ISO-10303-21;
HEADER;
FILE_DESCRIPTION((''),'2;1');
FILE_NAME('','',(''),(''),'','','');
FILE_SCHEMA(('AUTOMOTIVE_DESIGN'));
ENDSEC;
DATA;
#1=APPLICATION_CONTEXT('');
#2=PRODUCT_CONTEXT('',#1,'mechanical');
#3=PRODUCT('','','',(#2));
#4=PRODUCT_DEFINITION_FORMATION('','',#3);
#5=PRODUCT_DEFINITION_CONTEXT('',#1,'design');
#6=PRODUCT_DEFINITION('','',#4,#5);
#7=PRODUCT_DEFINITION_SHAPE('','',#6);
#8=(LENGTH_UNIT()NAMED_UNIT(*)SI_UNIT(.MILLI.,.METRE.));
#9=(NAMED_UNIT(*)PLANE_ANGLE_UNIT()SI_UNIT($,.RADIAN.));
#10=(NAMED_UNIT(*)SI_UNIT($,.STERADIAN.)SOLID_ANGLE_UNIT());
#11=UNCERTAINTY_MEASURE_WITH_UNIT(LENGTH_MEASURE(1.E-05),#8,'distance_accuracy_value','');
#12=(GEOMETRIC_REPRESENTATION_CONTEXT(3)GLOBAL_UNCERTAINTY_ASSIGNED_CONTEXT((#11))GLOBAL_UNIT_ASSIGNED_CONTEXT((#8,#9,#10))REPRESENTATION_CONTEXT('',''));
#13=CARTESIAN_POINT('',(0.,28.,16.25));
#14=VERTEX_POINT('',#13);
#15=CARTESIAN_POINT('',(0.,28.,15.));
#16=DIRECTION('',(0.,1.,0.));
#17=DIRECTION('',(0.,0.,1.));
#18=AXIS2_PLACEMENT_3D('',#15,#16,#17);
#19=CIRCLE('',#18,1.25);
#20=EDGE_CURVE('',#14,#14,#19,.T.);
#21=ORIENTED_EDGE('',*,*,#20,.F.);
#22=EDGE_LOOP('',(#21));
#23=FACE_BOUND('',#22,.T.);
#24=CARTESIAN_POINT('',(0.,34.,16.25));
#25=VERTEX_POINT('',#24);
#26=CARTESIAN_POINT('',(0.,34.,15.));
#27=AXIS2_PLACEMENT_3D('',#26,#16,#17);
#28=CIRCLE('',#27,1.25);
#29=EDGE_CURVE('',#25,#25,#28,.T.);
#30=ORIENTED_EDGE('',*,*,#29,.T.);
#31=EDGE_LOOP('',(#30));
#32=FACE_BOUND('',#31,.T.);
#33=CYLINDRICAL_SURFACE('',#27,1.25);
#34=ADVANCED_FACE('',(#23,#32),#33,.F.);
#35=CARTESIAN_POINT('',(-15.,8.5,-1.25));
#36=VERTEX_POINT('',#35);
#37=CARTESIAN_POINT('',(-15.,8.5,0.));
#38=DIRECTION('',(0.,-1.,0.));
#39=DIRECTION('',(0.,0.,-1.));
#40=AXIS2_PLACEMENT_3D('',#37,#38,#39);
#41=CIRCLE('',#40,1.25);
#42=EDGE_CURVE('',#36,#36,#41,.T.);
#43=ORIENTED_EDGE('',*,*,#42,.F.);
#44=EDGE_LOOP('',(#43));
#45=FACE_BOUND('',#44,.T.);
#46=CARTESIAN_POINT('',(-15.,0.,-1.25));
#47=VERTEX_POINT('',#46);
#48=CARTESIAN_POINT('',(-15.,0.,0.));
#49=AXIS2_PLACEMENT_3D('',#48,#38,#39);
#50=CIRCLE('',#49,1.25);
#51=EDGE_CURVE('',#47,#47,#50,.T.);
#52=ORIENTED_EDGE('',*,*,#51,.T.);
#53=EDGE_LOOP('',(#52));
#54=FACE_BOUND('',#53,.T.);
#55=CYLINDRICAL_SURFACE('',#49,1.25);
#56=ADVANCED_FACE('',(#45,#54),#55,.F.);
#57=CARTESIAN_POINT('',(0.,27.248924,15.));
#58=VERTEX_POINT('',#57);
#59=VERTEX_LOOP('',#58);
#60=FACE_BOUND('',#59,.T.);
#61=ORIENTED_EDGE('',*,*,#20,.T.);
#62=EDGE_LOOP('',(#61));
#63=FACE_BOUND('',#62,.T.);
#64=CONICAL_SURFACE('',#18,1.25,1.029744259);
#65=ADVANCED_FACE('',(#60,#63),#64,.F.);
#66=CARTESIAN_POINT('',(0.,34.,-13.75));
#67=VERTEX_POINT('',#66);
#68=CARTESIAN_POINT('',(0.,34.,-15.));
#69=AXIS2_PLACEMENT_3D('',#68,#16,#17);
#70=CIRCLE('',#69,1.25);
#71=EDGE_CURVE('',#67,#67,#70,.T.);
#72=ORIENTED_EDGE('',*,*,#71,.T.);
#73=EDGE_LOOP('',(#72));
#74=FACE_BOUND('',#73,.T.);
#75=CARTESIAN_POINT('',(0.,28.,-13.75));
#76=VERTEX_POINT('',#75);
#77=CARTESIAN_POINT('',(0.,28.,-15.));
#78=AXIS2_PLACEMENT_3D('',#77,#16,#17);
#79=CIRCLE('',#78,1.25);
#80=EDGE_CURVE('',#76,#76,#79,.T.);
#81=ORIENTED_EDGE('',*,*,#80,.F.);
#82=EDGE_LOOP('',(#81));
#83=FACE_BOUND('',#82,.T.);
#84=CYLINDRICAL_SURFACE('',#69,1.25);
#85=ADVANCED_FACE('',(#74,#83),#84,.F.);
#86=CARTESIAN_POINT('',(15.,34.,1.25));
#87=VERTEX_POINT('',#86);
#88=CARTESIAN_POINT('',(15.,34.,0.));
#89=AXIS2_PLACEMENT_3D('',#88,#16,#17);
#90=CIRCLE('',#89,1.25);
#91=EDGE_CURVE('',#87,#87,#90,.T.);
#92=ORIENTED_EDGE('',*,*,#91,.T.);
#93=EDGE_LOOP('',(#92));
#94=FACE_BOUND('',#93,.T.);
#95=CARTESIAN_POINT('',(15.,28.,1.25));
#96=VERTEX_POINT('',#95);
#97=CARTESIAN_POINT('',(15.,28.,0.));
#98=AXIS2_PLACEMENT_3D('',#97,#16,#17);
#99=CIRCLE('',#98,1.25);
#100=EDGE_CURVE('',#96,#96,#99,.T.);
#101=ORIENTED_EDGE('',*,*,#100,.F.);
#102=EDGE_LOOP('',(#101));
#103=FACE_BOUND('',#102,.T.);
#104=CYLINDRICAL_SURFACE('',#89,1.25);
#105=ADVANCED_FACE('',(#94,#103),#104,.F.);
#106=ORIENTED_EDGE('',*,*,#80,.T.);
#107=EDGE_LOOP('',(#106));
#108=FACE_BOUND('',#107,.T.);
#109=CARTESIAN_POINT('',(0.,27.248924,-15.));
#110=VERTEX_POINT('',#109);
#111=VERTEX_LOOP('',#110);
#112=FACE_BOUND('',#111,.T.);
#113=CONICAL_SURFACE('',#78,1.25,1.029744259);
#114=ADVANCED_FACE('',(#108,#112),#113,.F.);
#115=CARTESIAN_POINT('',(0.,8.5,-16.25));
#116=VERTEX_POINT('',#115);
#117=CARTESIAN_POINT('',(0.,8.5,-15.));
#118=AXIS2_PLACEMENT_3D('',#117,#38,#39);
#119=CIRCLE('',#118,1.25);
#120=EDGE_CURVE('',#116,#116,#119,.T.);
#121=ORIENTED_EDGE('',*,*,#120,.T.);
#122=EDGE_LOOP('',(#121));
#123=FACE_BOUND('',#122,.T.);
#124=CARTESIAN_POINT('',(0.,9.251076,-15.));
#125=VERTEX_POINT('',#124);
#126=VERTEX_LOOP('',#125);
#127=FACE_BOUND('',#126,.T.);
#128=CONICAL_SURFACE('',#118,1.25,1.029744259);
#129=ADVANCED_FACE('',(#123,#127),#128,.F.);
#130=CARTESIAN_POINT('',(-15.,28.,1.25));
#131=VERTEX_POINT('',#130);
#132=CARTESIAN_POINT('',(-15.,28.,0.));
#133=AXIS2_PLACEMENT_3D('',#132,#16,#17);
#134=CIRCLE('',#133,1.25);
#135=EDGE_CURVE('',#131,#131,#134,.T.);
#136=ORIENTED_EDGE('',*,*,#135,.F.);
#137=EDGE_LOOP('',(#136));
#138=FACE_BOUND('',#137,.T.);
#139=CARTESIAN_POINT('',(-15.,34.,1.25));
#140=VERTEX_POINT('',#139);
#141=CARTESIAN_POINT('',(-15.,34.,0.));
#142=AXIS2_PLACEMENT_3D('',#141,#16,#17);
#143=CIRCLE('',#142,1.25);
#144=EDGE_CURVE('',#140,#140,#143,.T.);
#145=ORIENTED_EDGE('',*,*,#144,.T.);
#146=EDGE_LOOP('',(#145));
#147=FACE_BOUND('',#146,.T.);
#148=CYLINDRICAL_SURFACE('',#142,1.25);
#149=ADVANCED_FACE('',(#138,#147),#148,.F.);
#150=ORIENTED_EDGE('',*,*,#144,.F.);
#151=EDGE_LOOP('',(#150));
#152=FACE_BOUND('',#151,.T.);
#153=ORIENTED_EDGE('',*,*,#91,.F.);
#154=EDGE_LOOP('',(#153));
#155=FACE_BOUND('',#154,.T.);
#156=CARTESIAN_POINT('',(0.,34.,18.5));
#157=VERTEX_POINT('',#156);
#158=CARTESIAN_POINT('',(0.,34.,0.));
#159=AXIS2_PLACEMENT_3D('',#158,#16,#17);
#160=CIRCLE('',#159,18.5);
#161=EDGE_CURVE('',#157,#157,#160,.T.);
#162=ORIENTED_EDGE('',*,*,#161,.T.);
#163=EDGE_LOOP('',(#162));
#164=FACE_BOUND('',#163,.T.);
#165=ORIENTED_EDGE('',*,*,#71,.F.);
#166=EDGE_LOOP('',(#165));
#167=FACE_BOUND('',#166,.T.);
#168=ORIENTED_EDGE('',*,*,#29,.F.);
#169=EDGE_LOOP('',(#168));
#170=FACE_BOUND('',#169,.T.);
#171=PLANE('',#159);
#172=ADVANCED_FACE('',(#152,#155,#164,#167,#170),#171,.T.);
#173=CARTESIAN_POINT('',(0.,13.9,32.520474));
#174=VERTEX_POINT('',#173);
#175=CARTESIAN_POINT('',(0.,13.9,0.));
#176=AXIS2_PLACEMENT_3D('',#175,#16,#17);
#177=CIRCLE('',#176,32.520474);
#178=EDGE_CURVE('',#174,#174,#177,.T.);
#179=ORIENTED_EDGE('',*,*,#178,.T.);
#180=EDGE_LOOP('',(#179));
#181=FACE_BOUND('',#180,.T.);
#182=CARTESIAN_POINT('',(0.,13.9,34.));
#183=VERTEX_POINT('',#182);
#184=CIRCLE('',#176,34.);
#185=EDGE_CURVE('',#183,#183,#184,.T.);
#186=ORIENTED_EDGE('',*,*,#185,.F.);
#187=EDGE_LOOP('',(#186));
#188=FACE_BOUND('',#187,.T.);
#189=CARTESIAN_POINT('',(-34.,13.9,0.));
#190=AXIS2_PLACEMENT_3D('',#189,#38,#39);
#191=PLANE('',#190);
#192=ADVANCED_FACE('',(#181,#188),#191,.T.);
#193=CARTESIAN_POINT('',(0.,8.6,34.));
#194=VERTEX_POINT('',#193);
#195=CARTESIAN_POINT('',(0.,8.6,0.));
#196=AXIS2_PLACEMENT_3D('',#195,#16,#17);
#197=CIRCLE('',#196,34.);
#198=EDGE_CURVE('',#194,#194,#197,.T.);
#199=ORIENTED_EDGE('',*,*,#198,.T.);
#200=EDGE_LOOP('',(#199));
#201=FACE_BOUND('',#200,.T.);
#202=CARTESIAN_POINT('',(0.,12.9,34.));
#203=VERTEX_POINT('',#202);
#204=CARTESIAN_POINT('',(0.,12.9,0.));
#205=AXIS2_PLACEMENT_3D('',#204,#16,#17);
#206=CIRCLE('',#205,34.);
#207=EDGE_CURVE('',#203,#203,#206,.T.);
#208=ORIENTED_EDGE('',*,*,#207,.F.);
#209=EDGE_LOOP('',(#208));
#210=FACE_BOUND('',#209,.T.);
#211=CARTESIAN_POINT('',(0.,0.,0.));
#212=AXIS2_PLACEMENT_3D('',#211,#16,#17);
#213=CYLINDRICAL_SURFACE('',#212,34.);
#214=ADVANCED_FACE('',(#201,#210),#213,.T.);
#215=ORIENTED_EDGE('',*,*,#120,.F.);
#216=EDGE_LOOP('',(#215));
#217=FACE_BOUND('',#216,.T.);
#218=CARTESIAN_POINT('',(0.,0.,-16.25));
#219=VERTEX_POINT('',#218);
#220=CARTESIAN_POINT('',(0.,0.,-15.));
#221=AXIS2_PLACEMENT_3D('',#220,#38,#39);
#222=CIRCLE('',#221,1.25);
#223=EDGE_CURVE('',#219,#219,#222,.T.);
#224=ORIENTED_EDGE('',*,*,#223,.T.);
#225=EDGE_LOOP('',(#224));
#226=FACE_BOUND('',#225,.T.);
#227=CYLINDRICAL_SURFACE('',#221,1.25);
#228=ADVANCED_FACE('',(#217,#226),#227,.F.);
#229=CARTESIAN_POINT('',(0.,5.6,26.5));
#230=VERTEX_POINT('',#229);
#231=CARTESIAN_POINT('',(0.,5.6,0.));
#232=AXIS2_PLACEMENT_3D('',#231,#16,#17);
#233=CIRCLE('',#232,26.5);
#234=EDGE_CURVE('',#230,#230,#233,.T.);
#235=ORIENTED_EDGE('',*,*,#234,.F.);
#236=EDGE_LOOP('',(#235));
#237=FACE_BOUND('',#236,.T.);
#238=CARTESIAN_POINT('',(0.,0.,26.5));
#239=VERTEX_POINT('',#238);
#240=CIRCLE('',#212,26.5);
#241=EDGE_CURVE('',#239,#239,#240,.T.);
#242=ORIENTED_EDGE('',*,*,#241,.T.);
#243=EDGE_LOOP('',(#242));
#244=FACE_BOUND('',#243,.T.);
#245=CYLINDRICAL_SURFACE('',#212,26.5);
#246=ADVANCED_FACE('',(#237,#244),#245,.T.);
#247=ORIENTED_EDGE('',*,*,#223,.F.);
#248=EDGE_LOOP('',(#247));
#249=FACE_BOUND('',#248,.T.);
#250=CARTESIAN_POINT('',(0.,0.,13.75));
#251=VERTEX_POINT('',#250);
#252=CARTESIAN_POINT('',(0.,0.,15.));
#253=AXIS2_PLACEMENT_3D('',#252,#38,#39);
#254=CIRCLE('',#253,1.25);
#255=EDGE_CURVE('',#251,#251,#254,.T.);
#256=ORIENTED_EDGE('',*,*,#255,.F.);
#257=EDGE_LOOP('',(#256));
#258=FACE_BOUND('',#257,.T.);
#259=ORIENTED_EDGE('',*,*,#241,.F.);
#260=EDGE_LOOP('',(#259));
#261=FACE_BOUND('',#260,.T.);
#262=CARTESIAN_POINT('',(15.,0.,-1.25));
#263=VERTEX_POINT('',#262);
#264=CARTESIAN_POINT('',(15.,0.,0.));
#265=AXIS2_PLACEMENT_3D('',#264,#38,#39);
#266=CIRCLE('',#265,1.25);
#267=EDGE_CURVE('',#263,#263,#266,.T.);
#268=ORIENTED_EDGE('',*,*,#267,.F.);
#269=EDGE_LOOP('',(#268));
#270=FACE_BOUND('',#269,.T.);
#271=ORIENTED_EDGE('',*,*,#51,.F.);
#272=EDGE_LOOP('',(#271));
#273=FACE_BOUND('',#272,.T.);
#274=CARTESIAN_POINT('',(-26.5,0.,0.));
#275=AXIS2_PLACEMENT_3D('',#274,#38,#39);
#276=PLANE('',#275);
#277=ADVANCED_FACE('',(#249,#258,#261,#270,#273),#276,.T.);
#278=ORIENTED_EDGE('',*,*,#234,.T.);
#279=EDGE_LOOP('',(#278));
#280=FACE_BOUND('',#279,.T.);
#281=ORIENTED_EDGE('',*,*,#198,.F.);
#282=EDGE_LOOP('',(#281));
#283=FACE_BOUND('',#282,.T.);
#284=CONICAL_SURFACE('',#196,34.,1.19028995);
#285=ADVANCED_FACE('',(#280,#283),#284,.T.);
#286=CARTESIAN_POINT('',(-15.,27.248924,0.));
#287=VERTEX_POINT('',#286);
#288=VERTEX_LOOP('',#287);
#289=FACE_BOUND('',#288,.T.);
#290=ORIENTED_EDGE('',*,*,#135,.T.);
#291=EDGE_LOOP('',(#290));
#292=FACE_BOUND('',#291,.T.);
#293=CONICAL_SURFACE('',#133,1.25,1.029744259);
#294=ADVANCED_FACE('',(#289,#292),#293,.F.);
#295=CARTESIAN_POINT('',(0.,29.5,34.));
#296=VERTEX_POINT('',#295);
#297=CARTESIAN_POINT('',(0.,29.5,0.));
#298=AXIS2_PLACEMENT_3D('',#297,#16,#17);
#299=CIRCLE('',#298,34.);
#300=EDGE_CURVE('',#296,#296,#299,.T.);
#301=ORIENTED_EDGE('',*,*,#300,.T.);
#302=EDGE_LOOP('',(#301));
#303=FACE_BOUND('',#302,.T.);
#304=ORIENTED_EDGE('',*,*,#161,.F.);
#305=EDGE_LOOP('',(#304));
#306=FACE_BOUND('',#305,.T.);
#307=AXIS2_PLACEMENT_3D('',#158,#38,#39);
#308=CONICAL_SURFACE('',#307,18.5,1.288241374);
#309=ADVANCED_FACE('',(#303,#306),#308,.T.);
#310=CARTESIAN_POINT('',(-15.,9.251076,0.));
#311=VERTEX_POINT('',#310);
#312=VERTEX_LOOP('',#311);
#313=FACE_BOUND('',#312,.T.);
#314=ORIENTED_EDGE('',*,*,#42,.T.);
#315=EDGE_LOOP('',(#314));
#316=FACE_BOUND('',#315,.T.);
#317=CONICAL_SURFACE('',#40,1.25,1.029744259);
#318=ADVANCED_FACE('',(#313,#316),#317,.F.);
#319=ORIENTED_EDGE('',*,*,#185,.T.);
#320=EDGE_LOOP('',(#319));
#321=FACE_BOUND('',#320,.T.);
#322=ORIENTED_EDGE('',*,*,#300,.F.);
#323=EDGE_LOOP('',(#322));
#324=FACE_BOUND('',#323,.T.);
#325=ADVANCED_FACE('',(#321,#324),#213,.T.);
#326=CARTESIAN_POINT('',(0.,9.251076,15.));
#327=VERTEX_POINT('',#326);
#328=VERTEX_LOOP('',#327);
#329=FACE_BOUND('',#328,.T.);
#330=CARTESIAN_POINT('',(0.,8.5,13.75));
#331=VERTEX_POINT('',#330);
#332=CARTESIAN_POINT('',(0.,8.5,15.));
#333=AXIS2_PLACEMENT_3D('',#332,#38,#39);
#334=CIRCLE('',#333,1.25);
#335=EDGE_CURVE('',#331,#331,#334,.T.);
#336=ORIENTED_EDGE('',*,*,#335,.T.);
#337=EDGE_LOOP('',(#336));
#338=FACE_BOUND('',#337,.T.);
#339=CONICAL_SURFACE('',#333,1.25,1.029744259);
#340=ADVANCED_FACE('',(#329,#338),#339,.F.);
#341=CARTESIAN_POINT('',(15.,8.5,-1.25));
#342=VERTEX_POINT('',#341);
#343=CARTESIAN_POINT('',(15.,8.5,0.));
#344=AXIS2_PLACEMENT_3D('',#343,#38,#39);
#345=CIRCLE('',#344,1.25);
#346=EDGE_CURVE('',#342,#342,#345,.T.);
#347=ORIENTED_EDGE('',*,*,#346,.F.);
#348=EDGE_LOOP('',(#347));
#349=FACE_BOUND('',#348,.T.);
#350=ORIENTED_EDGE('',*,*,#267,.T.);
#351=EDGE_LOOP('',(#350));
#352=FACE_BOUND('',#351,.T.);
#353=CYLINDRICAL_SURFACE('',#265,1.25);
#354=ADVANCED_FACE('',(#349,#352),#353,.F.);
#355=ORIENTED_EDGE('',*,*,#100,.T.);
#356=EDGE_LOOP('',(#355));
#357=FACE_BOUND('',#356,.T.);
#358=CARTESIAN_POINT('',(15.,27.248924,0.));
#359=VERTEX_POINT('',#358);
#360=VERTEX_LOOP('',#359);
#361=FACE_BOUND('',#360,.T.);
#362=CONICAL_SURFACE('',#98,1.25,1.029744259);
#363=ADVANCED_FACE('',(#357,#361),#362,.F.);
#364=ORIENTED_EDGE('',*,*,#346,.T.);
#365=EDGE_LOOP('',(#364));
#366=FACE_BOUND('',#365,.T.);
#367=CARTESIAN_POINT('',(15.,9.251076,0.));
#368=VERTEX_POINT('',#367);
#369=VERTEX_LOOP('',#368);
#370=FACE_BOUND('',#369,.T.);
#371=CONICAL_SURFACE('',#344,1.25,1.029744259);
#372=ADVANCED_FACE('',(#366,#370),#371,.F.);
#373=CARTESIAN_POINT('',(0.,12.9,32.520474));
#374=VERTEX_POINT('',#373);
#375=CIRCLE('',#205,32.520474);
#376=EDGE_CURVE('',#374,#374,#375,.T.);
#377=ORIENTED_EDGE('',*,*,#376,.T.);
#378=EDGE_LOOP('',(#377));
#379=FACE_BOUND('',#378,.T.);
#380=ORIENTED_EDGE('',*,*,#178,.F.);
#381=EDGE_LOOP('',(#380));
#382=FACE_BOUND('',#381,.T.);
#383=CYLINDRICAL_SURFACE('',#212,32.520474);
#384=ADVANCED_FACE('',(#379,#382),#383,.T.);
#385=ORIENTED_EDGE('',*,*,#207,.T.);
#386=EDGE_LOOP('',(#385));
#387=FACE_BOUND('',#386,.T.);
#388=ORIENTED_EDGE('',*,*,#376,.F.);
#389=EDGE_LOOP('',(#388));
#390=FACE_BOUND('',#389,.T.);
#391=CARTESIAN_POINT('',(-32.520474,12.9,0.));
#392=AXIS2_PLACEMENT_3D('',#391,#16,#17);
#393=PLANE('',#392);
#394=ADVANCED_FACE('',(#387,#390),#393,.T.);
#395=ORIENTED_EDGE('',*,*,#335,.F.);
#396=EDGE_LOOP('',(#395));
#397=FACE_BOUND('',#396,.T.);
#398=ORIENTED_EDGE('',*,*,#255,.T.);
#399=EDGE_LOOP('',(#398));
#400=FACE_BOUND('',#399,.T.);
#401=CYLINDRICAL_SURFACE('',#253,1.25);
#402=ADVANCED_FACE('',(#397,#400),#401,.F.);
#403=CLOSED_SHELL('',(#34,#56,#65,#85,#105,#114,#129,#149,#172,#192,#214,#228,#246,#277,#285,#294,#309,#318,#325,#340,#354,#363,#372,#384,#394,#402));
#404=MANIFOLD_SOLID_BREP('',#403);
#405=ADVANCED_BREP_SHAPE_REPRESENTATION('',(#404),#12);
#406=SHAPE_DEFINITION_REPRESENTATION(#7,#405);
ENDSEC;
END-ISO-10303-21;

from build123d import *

# Parameters (mm, degrees)
M3X0_5_TAPPED_HOLE1_D     = 2.5
M3X0_5_TAPPED_HOLE1_DEPTH = 6
M3X0_5_TAPPED_HOLE1_TIP   = 0.751075774
M3X0_5_TAPPED_HOLE2_D     = 2.5
M3X0_5_TAPPED_HOLE2_DEPTH = 8.5
M3X0_5_TAPPED_HOLE2_TIP   = 0.751075774


with BuildPart() as part:
    # Sketch1 → Revolve1 (revolve)
    with BuildSketch(Plane.XY):
        Polygon((0, 0), (0, 34), (-18.5, 34), (-34, 29.5), (-34, 13.9), (-32.520474493, 13.9), (-32.520474493, 12.9), (-34, 12.9), (-34, 8.6), (-26.5, 5.6), (-26.5, 0), align=None)
    revolve(axis=Axis((0, 0, 0), (0, -1, 0)))

    # M3x0.5 Tapped Hole1
    with Locations(Plane(origin=(0, 34, 0), x_dir=(1, 0, 0), z_dir=(0, 1, 0))):
        with Locations((0, 15), (-15, 0), (15, 0), (0, -15)):
            Hole(M3X0_5_TAPPED_HOLE1_D / 2, depth=M3X0_5_TAPPED_HOLE1_DEPTH)
            with Locations((0, 0, -(M3X0_5_TAPPED_HOLE1_DEPTH + M3X0_5_TAPPED_HOLE1_TIP / 2))):  # 118° drill point
                Cone(0, M3X0_5_TAPPED_HOLE1_D / 2, M3X0_5_TAPPED_HOLE1_TIP, mode=Mode.SUBTRACT)

    # M3x0.5 Tapped Hole2
    with Locations(Plane(origin=(0, 0, 0), x_dir=(-1, 0, 0), z_dir=(0, -1, 0))):
        with Locations((0, 15), (0, -15), (15, 0), (-15, 0)):
            Hole(M3X0_5_TAPPED_HOLE2_D / 2, depth=M3X0_5_TAPPED_HOLE2_DEPTH)
            with Locations((0, 0, -(M3X0_5_TAPPED_HOLE2_DEPTH + M3X0_5_TAPPED_HOLE2_TIP / 2))):  # 118° drill point
                Cone(0, M3X0_5_TAPPED_HOLE2_D / 2, M3X0_5_TAPPED_HOLE2_TIP, mode=Mode.SUBTRACT)


solid = part.part
